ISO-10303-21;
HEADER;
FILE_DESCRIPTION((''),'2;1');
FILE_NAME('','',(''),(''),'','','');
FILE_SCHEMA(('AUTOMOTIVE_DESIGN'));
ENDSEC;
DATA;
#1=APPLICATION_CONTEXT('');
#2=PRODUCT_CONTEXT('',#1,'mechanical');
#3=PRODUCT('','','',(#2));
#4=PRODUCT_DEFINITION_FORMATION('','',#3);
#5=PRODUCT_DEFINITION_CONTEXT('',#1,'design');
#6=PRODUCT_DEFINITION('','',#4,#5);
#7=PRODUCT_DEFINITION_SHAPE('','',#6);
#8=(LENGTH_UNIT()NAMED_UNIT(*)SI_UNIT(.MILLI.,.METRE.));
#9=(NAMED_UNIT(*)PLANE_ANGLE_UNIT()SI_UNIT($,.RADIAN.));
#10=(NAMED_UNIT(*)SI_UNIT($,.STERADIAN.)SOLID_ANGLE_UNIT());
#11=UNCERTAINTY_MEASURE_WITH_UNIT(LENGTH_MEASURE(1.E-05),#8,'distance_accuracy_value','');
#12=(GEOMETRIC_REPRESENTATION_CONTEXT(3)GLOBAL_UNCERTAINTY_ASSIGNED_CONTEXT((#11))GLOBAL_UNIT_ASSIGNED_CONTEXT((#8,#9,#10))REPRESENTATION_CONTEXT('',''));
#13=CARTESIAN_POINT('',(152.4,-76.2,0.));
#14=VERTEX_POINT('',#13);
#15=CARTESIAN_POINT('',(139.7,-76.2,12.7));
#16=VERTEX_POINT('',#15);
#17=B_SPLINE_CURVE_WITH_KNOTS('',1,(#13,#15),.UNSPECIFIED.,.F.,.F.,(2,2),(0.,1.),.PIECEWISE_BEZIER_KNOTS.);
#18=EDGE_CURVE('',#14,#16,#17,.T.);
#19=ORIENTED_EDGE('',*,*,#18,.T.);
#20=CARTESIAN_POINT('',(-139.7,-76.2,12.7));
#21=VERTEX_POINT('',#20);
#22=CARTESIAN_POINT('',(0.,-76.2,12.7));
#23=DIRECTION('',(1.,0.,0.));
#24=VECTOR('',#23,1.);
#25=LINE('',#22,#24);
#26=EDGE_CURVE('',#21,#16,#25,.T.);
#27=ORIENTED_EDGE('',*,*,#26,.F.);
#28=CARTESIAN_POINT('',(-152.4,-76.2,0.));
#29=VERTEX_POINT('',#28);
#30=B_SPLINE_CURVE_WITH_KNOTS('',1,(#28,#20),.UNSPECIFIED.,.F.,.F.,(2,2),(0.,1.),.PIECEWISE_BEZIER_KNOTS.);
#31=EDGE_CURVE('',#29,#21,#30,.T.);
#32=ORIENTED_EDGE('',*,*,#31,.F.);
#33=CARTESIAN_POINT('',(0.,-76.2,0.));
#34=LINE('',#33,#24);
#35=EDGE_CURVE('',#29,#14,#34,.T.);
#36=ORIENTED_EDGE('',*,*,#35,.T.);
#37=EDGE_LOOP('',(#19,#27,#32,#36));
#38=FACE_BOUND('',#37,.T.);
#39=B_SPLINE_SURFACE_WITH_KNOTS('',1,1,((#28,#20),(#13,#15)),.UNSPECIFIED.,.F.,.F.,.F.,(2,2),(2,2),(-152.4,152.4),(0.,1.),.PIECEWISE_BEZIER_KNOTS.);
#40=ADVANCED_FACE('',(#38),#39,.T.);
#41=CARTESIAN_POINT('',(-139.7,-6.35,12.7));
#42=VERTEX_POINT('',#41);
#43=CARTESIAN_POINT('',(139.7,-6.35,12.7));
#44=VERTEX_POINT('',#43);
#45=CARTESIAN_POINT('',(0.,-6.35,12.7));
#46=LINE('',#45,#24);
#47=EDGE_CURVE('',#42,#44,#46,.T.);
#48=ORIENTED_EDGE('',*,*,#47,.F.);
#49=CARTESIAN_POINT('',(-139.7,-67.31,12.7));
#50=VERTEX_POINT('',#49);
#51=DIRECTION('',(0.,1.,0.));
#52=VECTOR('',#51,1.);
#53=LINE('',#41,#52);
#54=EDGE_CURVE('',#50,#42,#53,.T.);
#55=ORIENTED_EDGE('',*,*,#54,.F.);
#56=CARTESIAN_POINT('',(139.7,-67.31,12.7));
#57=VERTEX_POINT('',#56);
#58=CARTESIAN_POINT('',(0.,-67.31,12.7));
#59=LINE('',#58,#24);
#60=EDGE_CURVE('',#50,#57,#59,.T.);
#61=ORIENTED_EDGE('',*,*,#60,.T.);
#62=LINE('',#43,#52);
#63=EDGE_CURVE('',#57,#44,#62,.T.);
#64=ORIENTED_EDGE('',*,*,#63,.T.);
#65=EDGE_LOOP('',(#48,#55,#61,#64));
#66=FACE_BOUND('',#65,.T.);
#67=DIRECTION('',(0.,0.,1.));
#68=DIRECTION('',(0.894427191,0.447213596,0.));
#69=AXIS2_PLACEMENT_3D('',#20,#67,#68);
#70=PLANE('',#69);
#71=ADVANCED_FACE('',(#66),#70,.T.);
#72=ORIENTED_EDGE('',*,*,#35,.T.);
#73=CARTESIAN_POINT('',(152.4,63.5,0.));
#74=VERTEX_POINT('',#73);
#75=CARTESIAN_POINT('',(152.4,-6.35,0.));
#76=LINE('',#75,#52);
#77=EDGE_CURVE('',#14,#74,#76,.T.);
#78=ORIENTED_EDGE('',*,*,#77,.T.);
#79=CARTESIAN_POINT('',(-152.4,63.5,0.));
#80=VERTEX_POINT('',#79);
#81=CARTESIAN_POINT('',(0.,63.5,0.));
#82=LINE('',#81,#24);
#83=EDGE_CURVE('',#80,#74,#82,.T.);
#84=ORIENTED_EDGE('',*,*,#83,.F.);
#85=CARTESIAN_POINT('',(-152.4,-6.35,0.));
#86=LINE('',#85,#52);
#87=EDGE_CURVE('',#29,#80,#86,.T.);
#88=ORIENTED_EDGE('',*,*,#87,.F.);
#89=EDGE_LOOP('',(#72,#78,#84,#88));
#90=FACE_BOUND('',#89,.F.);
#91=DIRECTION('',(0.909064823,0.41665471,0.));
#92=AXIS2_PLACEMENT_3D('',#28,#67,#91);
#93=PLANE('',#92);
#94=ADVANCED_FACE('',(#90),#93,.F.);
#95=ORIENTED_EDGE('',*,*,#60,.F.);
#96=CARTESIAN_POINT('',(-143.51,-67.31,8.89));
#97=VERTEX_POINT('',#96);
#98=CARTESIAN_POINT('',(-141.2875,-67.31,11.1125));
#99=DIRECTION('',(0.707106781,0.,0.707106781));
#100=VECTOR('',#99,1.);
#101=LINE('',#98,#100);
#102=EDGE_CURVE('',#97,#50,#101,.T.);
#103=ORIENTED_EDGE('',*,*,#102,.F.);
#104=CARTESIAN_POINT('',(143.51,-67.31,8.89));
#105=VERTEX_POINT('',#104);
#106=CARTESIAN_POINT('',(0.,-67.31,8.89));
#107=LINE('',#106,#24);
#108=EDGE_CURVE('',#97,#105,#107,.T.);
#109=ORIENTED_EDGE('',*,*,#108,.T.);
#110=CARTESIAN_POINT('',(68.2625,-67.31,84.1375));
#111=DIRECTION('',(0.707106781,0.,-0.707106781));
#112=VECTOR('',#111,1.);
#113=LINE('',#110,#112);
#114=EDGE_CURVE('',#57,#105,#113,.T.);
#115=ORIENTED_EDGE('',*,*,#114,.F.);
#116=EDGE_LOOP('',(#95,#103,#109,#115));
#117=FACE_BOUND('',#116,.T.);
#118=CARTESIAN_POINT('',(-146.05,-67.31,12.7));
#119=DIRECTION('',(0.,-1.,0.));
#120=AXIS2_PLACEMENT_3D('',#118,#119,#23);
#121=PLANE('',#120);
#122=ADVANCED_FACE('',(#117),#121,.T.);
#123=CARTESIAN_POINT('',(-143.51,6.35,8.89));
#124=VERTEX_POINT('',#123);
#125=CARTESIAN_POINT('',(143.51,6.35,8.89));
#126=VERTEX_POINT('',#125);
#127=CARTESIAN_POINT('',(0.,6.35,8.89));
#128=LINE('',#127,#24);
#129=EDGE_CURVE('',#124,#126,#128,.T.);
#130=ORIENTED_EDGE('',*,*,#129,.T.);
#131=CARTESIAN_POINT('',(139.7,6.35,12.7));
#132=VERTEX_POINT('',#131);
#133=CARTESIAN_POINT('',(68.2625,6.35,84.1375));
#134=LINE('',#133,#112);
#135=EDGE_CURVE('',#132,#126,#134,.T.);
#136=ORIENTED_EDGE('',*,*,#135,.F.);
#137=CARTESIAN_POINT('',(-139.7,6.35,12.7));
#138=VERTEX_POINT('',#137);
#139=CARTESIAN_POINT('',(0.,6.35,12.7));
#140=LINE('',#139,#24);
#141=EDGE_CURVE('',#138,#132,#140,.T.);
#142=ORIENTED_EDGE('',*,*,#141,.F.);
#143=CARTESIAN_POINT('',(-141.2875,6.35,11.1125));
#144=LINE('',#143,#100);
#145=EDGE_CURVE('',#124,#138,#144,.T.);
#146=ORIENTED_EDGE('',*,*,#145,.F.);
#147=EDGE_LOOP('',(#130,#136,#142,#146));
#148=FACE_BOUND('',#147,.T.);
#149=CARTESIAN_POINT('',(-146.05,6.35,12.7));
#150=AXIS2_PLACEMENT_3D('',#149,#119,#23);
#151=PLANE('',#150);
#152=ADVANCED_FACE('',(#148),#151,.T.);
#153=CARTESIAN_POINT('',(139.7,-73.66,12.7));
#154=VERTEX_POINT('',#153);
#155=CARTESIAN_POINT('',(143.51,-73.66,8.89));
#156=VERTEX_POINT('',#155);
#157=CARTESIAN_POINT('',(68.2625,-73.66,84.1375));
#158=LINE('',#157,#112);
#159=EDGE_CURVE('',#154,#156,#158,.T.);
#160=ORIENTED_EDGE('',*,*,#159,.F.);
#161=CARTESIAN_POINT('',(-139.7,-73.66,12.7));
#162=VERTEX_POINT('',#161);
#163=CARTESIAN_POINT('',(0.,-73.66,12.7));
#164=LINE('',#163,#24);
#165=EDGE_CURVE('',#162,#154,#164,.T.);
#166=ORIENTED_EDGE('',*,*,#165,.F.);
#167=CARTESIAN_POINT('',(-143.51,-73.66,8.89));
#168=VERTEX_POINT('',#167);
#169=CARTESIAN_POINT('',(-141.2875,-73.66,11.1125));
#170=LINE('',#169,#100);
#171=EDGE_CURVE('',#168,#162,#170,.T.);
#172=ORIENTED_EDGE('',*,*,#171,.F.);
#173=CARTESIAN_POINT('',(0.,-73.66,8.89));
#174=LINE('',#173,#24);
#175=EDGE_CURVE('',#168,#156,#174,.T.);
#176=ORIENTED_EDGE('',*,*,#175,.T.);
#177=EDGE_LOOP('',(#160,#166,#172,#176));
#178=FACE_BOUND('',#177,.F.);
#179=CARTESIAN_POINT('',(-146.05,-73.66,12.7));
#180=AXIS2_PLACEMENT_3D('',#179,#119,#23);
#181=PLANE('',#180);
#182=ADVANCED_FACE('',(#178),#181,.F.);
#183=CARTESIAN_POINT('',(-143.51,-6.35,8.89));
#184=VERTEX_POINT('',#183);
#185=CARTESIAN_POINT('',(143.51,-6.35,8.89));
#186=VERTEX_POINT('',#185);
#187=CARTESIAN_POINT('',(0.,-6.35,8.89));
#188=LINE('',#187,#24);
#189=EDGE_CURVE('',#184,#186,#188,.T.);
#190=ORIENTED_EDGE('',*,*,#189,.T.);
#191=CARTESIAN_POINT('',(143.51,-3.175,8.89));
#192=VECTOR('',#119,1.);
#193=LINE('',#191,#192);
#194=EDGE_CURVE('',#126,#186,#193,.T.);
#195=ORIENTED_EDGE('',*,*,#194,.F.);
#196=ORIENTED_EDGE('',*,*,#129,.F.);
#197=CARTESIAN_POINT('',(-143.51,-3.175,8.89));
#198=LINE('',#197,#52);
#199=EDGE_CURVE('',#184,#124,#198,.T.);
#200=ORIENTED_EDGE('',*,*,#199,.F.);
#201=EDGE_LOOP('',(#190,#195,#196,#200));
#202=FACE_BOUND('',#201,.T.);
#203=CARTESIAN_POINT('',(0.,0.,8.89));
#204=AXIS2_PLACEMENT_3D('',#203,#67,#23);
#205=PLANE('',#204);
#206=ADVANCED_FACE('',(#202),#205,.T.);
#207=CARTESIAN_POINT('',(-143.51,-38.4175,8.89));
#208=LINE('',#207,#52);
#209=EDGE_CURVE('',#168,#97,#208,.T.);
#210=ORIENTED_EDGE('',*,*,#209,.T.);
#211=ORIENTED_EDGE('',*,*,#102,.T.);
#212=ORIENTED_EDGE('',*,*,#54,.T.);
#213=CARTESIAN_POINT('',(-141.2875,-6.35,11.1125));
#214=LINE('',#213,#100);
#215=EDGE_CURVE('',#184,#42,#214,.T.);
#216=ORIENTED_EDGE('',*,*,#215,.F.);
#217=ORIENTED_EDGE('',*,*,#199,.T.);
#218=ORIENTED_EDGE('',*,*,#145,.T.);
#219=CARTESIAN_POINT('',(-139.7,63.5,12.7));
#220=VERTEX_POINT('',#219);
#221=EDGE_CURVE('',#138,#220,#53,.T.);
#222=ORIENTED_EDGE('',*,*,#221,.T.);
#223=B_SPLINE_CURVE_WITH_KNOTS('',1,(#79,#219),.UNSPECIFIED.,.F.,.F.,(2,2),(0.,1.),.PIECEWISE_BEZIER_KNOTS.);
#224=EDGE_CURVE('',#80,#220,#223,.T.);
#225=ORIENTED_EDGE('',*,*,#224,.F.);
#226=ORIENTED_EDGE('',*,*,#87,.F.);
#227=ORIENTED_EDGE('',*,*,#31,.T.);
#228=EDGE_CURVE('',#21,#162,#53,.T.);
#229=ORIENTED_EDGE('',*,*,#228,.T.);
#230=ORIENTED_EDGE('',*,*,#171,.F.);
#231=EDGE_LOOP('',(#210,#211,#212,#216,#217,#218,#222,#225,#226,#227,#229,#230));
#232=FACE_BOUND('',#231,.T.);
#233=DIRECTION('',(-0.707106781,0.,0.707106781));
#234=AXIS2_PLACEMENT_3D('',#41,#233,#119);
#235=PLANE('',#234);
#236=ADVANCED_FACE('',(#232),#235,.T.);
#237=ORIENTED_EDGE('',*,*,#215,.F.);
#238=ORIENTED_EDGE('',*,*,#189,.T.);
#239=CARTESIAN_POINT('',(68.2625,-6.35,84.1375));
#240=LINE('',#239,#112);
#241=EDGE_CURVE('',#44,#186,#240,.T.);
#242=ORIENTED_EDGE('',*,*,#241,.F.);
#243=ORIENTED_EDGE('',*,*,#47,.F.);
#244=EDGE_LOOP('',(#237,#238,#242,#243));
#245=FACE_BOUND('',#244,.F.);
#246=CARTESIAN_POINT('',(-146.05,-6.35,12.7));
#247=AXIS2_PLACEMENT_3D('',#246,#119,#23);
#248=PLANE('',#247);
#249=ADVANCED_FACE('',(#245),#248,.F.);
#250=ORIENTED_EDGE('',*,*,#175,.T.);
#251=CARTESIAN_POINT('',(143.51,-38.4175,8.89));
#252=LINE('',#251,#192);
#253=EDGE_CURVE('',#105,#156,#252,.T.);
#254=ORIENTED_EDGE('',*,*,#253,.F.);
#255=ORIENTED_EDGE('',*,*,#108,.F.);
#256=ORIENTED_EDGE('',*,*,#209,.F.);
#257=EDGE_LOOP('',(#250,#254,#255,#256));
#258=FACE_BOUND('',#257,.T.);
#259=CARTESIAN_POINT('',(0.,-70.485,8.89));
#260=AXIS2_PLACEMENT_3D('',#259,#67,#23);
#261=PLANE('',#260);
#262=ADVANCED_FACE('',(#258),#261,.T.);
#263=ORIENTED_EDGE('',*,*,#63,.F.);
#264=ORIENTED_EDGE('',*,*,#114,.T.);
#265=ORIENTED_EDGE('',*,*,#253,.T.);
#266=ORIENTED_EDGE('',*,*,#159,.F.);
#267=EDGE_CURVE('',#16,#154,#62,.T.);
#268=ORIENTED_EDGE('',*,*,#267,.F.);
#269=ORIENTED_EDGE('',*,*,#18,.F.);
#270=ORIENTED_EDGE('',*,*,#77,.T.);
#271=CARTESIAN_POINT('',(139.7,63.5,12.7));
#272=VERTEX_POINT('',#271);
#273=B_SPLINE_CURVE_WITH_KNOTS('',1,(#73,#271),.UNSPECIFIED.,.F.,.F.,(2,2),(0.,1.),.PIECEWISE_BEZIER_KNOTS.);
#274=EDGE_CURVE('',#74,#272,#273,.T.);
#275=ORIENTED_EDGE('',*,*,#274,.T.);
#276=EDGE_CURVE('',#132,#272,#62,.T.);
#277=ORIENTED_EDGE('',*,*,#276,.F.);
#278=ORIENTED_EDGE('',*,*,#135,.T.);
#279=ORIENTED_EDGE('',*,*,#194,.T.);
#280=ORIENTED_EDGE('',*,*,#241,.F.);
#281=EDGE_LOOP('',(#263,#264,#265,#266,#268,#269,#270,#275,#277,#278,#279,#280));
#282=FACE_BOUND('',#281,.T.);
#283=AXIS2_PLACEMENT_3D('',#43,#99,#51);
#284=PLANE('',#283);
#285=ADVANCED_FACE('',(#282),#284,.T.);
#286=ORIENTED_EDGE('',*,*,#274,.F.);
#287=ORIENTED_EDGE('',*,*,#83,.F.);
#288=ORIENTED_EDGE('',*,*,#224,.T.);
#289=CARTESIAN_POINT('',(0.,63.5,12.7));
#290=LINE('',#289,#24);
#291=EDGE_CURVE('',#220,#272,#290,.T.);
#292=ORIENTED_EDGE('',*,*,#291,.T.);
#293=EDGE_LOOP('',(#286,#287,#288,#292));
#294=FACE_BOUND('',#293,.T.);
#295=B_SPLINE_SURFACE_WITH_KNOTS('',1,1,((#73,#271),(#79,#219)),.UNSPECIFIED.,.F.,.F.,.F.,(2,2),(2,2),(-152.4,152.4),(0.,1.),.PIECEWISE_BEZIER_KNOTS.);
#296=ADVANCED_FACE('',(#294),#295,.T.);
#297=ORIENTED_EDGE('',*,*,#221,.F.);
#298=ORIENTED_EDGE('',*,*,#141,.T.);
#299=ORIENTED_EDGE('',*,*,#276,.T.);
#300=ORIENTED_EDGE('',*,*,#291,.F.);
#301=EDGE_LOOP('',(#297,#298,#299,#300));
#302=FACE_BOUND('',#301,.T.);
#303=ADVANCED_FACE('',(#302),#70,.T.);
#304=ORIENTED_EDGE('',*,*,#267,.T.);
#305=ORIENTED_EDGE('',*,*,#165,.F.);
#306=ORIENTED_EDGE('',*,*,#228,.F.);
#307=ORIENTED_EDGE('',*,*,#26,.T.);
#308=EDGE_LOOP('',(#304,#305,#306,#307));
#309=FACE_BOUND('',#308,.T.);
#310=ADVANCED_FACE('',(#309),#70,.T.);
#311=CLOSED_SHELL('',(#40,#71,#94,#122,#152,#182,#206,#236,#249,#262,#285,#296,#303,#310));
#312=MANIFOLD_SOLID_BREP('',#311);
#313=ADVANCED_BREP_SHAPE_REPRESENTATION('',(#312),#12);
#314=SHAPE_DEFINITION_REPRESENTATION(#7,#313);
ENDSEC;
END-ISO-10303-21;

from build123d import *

# Parameters (mm, degrees)
F0_W     = 304.8
F0_H     = 139.7
F2_W     = 279.4
F2_H     = 139.7
F4_W     = 292.1
F4_H     = 6.35
F4_H_2   = 12.7
F5_DEPTH = 3.81


with BuildPart() as f3:
    # F0 (on Top) → F3 section 0
    with BuildSketch(Plane.XY):
        with Locations((0, -6.35)):
            Rectangle(F0_W, F0_H)
    # F2 (on offset) → F3 section 1
    with BuildSketch(Plane.XY.offset(12.7)):
        with Locations((0, -6.35)):
            Rectangle(F2_W, F2_H)
    loft()

    # F4 (on offset) → F5 (cut)
    with BuildSketch(Plane.XY.offset(12.7)):
        with Locations((0, -70.485)):
            Rectangle(F4_W, F4_H)
        Rectangle(F4_W, F4_H_2)
    extrude(amount=-F5_DEPTH, mode=Mode.SUBTRACT)


solid = f3.part
